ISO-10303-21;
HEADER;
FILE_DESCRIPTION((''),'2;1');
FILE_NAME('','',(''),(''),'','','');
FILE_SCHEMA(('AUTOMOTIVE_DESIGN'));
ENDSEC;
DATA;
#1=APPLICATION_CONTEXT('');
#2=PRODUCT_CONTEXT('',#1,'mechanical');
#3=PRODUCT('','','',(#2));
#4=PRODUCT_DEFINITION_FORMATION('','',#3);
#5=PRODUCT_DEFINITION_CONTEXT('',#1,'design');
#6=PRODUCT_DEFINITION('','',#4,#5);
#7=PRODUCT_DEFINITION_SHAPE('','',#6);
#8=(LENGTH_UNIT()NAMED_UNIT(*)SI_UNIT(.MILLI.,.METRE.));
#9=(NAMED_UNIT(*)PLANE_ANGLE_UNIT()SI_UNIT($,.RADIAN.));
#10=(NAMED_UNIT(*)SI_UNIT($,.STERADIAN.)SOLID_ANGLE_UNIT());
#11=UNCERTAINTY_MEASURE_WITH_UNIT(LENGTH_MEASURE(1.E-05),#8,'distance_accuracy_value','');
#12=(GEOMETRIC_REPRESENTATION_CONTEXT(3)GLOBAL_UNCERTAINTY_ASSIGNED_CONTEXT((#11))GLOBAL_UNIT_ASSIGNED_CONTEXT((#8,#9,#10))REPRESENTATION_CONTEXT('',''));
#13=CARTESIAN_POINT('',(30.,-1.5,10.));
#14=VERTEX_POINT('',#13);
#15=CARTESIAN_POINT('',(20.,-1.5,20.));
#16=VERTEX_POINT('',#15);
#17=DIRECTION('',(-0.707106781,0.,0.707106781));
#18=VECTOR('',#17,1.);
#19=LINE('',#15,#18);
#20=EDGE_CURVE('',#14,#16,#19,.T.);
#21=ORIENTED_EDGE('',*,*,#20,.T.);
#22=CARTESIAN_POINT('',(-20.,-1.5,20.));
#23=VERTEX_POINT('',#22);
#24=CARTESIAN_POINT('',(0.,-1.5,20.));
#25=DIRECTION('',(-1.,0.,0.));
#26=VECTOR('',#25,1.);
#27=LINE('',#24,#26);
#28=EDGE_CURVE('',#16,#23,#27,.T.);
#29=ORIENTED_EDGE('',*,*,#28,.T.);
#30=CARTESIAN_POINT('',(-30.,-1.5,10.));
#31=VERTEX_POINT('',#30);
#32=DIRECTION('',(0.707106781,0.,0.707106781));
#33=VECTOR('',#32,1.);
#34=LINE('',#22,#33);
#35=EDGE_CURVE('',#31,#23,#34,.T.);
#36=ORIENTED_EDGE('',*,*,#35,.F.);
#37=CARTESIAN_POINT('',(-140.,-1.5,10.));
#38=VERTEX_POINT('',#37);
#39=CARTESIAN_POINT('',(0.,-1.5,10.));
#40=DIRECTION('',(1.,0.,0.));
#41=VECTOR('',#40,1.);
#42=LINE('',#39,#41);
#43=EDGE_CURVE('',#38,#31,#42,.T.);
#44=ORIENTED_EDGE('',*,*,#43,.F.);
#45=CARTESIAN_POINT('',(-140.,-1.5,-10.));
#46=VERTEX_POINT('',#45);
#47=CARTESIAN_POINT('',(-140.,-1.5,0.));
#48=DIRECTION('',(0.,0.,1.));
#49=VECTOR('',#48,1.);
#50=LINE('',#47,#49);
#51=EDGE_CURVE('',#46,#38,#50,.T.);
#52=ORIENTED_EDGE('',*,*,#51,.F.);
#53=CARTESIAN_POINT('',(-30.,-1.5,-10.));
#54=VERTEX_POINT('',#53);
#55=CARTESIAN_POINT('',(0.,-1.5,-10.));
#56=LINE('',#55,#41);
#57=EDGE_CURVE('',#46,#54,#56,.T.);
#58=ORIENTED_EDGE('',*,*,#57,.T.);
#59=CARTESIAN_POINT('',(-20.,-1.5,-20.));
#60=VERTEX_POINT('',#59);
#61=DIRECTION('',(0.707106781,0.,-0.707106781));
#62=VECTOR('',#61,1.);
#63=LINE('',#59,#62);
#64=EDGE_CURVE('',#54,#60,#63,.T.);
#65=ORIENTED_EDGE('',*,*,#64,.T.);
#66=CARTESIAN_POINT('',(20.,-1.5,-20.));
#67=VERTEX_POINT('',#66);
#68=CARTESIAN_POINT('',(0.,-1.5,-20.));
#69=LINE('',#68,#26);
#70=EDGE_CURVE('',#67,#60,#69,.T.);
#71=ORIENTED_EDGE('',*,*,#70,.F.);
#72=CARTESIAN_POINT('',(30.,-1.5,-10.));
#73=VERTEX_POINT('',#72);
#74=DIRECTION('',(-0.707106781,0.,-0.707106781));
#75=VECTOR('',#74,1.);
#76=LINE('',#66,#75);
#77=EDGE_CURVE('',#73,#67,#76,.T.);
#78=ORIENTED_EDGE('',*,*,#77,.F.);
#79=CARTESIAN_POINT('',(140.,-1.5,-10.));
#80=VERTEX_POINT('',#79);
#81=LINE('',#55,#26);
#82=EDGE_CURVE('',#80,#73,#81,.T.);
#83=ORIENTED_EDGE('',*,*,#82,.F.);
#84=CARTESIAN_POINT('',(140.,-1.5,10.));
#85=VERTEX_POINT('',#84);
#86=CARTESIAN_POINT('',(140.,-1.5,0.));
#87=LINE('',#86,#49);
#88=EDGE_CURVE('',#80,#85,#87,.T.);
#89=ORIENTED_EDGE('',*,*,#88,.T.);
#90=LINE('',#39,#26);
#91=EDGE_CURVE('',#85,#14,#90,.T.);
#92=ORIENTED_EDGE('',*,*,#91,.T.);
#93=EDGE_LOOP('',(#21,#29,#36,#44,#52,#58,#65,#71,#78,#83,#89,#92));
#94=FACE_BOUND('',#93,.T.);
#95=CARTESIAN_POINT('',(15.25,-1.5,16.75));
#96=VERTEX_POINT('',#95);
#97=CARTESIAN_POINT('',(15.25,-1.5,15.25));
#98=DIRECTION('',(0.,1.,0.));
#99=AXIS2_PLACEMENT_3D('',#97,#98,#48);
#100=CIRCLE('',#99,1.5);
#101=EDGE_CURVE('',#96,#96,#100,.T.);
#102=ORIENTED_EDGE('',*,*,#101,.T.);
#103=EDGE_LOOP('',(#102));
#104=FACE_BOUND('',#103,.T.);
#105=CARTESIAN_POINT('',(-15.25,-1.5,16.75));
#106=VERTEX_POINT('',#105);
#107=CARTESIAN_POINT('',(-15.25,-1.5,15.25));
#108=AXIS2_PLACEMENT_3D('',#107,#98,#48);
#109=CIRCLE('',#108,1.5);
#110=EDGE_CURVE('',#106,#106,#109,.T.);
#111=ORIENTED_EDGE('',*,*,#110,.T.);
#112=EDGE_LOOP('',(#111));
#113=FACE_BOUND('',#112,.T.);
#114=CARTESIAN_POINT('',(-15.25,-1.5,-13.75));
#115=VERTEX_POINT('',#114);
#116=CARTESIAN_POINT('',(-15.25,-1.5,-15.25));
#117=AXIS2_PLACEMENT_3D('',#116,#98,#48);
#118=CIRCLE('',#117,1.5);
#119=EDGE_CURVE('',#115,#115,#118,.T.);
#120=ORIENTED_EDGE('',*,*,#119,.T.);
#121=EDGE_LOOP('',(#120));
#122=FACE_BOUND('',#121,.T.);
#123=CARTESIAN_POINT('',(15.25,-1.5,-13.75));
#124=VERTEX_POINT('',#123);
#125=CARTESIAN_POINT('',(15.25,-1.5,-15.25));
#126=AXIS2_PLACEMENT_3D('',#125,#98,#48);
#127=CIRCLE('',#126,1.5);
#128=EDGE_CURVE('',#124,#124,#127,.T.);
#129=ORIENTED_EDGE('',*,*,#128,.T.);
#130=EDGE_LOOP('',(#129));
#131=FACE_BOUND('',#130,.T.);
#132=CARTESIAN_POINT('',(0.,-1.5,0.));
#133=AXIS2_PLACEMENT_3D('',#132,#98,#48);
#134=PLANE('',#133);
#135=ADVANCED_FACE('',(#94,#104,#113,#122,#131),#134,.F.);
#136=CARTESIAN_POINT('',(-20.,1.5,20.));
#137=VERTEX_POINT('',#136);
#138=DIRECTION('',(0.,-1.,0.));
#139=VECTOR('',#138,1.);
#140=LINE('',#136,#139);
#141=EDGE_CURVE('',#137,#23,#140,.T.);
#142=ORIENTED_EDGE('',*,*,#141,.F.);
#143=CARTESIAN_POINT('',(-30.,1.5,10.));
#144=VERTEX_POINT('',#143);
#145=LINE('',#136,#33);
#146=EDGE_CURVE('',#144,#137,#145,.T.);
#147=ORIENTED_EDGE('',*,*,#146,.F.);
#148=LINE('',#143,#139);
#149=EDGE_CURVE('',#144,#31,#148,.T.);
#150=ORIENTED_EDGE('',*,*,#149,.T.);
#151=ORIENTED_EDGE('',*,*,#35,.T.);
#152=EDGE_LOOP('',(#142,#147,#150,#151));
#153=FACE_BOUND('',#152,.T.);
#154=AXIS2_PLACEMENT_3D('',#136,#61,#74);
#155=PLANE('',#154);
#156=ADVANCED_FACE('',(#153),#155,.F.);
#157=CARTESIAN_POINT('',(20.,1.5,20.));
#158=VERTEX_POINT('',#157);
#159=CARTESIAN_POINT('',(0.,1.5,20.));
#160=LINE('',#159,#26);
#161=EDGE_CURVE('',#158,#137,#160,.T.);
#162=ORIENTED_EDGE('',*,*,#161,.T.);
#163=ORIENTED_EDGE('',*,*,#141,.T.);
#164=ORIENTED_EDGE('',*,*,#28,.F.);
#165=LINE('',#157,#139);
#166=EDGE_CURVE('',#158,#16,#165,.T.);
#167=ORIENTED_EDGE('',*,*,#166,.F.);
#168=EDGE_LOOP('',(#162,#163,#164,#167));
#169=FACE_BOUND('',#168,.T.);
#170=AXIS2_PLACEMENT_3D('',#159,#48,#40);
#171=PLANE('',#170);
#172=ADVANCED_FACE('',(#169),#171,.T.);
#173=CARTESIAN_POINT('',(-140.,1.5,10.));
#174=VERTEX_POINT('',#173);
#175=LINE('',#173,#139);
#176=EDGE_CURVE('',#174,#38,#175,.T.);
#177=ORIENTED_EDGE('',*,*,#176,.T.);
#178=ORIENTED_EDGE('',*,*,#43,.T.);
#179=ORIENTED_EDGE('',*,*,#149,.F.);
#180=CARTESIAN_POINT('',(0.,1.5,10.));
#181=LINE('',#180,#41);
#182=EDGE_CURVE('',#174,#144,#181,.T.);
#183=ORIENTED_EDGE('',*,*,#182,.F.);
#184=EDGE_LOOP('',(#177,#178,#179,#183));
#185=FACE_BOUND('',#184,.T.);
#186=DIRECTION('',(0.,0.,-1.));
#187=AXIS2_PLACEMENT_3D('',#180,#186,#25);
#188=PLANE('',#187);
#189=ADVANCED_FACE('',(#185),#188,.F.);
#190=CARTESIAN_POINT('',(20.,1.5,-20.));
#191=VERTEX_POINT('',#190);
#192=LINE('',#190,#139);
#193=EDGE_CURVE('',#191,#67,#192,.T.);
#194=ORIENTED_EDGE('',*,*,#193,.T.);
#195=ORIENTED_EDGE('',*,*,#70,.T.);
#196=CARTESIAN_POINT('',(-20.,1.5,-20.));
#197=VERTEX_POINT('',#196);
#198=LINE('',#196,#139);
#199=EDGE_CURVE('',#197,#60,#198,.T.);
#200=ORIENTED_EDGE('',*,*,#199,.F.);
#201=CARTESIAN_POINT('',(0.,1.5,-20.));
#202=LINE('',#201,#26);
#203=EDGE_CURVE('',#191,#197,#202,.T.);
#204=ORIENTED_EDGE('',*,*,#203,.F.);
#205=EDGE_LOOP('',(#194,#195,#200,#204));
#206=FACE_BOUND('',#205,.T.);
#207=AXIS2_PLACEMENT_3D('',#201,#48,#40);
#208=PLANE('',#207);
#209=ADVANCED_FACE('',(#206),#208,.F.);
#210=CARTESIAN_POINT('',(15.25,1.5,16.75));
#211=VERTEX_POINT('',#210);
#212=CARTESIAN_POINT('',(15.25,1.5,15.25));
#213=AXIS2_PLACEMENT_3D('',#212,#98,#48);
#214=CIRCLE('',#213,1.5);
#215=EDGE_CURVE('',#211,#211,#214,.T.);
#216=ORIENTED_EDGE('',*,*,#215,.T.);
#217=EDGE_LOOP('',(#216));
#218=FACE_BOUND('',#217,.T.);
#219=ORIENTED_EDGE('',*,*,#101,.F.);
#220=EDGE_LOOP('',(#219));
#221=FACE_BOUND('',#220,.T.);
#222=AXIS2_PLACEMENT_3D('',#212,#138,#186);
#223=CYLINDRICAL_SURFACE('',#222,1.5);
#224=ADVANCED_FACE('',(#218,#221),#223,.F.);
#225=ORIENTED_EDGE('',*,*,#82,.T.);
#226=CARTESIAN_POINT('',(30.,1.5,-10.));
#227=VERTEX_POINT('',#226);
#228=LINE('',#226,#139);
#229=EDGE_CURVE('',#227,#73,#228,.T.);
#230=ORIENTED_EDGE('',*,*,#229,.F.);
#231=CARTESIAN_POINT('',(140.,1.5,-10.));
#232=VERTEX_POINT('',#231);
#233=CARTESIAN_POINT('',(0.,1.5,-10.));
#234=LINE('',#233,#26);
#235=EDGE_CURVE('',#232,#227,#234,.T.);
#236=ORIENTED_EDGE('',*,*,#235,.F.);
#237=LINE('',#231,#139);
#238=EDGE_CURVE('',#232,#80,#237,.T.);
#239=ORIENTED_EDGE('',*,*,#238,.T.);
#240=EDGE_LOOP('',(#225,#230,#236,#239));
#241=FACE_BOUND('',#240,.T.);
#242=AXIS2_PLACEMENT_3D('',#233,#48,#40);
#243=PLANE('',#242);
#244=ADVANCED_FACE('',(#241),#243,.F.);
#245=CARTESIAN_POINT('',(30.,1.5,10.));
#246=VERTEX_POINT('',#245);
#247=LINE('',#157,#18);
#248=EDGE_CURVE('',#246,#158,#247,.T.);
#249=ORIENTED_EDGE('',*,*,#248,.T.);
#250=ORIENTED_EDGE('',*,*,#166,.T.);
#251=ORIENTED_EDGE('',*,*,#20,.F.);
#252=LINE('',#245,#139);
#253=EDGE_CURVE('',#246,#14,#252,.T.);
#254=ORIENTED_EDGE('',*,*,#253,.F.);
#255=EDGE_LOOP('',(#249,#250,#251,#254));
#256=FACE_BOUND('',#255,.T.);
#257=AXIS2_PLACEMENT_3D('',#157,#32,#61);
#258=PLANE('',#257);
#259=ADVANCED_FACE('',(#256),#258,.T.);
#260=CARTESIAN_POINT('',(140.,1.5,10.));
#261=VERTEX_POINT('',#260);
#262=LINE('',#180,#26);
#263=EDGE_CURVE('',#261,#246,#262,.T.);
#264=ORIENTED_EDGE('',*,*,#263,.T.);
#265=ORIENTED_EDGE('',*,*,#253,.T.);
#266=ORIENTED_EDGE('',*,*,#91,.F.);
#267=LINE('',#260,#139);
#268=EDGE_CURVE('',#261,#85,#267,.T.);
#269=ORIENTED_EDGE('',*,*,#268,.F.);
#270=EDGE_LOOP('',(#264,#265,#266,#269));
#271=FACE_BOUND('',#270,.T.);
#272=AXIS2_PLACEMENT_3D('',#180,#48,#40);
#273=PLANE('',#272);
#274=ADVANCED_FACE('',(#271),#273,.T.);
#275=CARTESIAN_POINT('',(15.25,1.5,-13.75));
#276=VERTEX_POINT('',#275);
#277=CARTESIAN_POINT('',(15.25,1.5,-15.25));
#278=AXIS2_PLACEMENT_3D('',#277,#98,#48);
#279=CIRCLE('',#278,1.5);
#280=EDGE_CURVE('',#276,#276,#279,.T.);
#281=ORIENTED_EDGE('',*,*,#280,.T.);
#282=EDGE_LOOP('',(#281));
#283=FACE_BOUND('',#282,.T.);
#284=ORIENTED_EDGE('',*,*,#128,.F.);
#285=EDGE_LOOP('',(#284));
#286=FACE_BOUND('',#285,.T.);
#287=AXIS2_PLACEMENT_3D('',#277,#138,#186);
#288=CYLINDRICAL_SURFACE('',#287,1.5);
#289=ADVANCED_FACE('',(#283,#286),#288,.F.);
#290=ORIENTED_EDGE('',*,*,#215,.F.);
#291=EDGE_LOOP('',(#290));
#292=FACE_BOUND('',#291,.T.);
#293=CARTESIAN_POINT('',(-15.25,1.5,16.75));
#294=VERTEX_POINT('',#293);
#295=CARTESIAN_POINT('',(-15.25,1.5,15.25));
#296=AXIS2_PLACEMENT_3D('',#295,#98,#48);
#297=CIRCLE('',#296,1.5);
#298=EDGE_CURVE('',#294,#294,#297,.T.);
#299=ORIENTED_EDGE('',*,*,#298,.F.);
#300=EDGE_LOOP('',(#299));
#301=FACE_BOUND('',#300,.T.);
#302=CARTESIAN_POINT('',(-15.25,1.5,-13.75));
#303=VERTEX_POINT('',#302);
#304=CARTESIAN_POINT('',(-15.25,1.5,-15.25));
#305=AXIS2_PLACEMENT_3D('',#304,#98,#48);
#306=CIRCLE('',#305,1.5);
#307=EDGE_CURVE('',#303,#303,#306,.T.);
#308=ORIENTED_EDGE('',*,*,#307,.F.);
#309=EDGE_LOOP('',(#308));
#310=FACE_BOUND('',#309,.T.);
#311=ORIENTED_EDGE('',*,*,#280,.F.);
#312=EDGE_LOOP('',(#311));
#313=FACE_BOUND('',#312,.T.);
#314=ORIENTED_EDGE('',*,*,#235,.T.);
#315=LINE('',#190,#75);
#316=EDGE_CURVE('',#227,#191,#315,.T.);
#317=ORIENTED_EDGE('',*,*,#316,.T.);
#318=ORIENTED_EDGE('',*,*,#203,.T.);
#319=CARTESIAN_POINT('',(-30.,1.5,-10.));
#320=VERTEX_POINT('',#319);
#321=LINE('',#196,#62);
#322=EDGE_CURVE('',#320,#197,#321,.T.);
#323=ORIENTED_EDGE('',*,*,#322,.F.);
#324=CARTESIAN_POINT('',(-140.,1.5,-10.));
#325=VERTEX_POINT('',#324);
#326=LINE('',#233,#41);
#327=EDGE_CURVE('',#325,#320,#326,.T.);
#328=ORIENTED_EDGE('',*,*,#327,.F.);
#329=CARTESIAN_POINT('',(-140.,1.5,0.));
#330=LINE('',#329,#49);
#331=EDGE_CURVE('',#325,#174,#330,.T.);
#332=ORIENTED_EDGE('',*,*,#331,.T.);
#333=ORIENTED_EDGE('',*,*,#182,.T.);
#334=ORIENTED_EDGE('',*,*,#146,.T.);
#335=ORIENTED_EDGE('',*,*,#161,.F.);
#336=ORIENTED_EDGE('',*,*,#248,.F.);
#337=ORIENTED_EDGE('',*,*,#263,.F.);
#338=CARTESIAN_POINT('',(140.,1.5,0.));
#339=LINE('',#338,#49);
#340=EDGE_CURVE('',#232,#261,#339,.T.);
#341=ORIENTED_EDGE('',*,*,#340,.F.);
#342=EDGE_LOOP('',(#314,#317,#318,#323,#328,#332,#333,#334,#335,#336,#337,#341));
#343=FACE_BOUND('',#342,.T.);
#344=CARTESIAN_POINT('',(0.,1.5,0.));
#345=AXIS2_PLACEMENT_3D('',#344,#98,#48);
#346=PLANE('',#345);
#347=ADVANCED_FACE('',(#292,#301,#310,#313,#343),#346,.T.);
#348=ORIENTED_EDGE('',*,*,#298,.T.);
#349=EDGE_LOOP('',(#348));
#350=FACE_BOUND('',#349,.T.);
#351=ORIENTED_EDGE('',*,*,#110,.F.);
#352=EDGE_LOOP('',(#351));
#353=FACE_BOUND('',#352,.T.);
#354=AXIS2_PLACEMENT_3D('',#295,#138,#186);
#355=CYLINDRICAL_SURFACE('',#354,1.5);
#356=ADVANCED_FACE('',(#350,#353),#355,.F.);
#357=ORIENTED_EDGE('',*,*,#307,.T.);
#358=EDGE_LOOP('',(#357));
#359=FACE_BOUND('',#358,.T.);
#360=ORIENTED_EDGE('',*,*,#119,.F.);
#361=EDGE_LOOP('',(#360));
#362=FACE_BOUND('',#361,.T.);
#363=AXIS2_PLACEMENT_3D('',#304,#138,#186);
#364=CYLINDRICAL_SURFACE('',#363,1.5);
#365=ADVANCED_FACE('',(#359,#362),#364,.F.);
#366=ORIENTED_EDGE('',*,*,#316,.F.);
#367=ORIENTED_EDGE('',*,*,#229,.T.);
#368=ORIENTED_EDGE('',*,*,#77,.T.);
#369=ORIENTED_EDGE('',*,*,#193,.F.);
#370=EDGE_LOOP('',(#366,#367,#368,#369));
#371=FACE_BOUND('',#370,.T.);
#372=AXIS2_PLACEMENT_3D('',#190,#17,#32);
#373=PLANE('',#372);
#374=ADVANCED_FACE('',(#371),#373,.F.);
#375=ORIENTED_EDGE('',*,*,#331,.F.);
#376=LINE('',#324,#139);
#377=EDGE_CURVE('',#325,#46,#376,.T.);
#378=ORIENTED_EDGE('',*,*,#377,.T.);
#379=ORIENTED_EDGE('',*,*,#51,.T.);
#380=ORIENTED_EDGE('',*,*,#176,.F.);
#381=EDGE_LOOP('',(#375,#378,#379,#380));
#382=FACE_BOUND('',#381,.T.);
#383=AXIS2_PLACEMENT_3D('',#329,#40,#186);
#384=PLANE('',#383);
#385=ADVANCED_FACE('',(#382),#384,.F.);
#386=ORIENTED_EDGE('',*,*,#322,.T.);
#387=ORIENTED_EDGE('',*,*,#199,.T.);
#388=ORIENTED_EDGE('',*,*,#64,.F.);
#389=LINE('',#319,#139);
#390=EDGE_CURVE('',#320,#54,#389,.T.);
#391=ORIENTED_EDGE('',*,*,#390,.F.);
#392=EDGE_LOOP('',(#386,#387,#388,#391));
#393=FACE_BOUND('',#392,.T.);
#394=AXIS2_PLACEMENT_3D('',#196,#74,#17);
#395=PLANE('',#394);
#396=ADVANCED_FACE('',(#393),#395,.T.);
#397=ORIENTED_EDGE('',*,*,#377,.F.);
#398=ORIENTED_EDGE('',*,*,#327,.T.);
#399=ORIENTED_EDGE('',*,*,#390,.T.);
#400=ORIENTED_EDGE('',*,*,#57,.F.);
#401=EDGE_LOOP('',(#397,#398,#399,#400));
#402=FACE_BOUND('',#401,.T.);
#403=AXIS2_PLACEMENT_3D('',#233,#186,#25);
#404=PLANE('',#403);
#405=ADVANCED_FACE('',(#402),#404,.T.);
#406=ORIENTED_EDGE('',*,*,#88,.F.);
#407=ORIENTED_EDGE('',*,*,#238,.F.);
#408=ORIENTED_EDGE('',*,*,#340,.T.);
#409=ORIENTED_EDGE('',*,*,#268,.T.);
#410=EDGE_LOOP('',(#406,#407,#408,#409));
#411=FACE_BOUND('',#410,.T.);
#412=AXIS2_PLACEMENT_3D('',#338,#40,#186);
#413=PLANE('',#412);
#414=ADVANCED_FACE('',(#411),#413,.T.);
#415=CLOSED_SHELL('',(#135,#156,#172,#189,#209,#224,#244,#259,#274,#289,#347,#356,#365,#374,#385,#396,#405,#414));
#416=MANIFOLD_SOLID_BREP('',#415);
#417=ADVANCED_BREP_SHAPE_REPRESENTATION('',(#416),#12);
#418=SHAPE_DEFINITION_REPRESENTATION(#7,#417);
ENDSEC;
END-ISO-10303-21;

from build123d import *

# Parameters (mm, degrees)
SKETCH1_R           = 1.5
BOSS_EXTRUDE1_DEPTH = 1.5


with BuildPart() as part:
    # Sketch1 → Boss-Extrude1 (new, symmetric)
    with BuildSketch(Plane(origin=(0, 0, 0), x_dir=(1, 0, 0), z_dir=(0, 1, 0))):
        Polygon((30, 10), (20, 20), (-20, 20), (-30, 10), (-140, 10), (-140, -10), (-30, -10), (-20, -20), (20, -20), (30, -10), (140, -10), (140, 10), align=None)
        with Locations(Location((-15.25, -15.25, 0), (0, 0, 270))):
            Circle(SKETCH1_R, mode=Mode.SUBTRACT)
        with Locations(Location((15.25, -15.25, 0), (0, 0, 270))):
            Circle(SKETCH1_R, mode=Mode.SUBTRACT)
        with Locations(Location((-15.25, 15.25, 0), (0, 0, 270))):
            Circle(SKETCH1_R, mode=Mode.SUBTRACT)
        with Locations(Location((15.25, 15.25, 0), (0, 0, 270))):
            Circle(SKETCH1_R, mode=Mode.SUBTRACT)
    extrude(amount=BOSS_EXTRUDE1_DEPTH, both=True)


solid = part.part
